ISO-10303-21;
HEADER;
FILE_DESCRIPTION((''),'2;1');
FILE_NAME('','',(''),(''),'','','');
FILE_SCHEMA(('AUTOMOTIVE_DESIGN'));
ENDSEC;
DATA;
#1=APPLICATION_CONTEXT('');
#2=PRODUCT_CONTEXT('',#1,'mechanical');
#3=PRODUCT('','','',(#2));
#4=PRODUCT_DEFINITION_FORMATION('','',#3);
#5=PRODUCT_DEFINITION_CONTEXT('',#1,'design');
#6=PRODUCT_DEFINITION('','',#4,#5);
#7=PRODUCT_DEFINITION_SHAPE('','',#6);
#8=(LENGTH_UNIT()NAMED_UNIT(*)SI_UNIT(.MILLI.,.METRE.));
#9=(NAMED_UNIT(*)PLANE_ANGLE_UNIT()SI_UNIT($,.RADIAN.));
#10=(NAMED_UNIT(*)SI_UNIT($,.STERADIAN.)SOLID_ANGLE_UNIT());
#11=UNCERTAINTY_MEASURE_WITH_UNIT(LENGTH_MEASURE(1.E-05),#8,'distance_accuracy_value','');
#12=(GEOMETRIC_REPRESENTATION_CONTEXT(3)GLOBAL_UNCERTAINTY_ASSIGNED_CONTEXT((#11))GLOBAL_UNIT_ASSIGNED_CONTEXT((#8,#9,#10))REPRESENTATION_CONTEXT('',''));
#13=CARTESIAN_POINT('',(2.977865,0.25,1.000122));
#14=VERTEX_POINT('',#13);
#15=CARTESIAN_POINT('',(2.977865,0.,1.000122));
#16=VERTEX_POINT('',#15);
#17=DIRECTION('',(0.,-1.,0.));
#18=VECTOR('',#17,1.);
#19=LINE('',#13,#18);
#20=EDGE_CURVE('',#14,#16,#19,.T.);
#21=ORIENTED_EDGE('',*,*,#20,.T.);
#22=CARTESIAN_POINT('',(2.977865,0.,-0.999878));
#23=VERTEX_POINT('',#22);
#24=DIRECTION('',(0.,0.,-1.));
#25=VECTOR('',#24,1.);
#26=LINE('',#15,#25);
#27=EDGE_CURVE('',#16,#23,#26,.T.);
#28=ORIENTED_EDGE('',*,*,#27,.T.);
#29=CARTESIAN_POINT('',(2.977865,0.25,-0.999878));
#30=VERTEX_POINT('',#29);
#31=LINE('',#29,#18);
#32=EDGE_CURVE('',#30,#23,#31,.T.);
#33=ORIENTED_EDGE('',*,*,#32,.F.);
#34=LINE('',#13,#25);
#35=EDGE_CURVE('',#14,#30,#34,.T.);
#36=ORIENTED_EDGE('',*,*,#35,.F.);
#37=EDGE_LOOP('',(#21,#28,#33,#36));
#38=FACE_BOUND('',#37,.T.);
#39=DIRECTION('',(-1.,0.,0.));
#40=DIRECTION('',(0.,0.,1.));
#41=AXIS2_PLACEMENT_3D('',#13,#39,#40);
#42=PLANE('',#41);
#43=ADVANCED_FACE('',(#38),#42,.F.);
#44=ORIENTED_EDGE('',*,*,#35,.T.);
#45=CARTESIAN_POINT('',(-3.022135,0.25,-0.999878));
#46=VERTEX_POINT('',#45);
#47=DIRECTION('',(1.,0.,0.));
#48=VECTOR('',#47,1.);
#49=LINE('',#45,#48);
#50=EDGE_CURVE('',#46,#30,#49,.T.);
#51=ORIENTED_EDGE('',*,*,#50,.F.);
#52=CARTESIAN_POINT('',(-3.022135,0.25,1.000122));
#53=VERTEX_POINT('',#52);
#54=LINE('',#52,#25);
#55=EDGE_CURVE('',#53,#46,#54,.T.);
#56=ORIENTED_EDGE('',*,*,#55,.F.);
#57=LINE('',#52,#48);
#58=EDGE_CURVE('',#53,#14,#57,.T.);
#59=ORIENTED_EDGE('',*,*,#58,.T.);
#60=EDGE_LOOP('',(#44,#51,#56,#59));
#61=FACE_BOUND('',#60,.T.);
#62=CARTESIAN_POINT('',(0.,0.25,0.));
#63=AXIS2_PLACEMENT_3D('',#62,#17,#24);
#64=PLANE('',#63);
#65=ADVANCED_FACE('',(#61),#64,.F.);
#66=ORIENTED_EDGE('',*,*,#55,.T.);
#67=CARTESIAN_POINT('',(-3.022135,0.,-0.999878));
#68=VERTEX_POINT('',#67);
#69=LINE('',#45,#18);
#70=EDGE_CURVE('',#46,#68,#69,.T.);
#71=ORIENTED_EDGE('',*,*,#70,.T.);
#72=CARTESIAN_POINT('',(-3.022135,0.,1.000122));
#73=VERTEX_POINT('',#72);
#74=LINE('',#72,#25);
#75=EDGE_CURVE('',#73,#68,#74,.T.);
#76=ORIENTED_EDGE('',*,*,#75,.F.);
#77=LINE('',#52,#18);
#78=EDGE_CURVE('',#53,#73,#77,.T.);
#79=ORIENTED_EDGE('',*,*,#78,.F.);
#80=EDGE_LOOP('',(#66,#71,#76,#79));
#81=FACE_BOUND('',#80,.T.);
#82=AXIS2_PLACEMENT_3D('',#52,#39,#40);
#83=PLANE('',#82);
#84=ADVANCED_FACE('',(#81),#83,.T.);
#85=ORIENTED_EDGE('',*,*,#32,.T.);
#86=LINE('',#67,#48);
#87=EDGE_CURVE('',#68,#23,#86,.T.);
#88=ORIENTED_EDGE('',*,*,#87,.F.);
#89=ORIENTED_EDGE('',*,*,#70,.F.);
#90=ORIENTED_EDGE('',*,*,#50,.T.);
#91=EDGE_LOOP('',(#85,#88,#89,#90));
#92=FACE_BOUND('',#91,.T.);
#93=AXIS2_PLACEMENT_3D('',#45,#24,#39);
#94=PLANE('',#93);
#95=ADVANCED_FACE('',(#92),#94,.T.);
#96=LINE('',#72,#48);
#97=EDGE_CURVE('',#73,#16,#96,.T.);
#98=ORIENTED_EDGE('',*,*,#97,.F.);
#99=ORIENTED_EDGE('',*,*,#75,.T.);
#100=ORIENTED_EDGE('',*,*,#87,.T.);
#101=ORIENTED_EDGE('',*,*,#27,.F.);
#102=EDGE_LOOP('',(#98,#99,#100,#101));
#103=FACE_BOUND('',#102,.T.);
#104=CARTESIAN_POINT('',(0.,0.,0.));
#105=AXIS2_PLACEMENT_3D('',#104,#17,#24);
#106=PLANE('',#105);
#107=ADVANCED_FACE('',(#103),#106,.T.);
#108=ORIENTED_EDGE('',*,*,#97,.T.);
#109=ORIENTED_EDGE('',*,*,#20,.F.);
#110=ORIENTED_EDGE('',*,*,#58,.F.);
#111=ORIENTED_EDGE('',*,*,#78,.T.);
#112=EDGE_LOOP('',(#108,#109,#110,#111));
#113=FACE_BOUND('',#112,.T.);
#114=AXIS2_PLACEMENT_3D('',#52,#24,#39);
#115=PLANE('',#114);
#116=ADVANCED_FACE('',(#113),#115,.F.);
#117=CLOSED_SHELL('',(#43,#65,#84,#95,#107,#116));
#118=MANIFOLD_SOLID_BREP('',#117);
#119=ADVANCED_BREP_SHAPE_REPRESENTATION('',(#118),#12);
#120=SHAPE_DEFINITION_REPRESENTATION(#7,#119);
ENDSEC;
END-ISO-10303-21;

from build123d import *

# Parameters (mm, degrees)
SZKIC1_W                    = 6
SZKIC1_H                    = 2
DODANIE_WYCI_GNI_CIE1_DEPTH = 0.25


with BuildPart() as part:
    # Szkic1 → Dodanie-wyciągnięcie1 (new body)
    with BuildSketch(Plane(origin=(0, 0, 0), x_dir=(1, 0, 0), z_dir=(0, 1, 0))):
        with Locations((-0.022135115, -0.000122487)):
            Rectangle(SZKIC1_W, SZKIC1_H)
    extrude(amount=DODANIE_WYCI_GNI_CIE1_DEPTH)


solid = part.part
